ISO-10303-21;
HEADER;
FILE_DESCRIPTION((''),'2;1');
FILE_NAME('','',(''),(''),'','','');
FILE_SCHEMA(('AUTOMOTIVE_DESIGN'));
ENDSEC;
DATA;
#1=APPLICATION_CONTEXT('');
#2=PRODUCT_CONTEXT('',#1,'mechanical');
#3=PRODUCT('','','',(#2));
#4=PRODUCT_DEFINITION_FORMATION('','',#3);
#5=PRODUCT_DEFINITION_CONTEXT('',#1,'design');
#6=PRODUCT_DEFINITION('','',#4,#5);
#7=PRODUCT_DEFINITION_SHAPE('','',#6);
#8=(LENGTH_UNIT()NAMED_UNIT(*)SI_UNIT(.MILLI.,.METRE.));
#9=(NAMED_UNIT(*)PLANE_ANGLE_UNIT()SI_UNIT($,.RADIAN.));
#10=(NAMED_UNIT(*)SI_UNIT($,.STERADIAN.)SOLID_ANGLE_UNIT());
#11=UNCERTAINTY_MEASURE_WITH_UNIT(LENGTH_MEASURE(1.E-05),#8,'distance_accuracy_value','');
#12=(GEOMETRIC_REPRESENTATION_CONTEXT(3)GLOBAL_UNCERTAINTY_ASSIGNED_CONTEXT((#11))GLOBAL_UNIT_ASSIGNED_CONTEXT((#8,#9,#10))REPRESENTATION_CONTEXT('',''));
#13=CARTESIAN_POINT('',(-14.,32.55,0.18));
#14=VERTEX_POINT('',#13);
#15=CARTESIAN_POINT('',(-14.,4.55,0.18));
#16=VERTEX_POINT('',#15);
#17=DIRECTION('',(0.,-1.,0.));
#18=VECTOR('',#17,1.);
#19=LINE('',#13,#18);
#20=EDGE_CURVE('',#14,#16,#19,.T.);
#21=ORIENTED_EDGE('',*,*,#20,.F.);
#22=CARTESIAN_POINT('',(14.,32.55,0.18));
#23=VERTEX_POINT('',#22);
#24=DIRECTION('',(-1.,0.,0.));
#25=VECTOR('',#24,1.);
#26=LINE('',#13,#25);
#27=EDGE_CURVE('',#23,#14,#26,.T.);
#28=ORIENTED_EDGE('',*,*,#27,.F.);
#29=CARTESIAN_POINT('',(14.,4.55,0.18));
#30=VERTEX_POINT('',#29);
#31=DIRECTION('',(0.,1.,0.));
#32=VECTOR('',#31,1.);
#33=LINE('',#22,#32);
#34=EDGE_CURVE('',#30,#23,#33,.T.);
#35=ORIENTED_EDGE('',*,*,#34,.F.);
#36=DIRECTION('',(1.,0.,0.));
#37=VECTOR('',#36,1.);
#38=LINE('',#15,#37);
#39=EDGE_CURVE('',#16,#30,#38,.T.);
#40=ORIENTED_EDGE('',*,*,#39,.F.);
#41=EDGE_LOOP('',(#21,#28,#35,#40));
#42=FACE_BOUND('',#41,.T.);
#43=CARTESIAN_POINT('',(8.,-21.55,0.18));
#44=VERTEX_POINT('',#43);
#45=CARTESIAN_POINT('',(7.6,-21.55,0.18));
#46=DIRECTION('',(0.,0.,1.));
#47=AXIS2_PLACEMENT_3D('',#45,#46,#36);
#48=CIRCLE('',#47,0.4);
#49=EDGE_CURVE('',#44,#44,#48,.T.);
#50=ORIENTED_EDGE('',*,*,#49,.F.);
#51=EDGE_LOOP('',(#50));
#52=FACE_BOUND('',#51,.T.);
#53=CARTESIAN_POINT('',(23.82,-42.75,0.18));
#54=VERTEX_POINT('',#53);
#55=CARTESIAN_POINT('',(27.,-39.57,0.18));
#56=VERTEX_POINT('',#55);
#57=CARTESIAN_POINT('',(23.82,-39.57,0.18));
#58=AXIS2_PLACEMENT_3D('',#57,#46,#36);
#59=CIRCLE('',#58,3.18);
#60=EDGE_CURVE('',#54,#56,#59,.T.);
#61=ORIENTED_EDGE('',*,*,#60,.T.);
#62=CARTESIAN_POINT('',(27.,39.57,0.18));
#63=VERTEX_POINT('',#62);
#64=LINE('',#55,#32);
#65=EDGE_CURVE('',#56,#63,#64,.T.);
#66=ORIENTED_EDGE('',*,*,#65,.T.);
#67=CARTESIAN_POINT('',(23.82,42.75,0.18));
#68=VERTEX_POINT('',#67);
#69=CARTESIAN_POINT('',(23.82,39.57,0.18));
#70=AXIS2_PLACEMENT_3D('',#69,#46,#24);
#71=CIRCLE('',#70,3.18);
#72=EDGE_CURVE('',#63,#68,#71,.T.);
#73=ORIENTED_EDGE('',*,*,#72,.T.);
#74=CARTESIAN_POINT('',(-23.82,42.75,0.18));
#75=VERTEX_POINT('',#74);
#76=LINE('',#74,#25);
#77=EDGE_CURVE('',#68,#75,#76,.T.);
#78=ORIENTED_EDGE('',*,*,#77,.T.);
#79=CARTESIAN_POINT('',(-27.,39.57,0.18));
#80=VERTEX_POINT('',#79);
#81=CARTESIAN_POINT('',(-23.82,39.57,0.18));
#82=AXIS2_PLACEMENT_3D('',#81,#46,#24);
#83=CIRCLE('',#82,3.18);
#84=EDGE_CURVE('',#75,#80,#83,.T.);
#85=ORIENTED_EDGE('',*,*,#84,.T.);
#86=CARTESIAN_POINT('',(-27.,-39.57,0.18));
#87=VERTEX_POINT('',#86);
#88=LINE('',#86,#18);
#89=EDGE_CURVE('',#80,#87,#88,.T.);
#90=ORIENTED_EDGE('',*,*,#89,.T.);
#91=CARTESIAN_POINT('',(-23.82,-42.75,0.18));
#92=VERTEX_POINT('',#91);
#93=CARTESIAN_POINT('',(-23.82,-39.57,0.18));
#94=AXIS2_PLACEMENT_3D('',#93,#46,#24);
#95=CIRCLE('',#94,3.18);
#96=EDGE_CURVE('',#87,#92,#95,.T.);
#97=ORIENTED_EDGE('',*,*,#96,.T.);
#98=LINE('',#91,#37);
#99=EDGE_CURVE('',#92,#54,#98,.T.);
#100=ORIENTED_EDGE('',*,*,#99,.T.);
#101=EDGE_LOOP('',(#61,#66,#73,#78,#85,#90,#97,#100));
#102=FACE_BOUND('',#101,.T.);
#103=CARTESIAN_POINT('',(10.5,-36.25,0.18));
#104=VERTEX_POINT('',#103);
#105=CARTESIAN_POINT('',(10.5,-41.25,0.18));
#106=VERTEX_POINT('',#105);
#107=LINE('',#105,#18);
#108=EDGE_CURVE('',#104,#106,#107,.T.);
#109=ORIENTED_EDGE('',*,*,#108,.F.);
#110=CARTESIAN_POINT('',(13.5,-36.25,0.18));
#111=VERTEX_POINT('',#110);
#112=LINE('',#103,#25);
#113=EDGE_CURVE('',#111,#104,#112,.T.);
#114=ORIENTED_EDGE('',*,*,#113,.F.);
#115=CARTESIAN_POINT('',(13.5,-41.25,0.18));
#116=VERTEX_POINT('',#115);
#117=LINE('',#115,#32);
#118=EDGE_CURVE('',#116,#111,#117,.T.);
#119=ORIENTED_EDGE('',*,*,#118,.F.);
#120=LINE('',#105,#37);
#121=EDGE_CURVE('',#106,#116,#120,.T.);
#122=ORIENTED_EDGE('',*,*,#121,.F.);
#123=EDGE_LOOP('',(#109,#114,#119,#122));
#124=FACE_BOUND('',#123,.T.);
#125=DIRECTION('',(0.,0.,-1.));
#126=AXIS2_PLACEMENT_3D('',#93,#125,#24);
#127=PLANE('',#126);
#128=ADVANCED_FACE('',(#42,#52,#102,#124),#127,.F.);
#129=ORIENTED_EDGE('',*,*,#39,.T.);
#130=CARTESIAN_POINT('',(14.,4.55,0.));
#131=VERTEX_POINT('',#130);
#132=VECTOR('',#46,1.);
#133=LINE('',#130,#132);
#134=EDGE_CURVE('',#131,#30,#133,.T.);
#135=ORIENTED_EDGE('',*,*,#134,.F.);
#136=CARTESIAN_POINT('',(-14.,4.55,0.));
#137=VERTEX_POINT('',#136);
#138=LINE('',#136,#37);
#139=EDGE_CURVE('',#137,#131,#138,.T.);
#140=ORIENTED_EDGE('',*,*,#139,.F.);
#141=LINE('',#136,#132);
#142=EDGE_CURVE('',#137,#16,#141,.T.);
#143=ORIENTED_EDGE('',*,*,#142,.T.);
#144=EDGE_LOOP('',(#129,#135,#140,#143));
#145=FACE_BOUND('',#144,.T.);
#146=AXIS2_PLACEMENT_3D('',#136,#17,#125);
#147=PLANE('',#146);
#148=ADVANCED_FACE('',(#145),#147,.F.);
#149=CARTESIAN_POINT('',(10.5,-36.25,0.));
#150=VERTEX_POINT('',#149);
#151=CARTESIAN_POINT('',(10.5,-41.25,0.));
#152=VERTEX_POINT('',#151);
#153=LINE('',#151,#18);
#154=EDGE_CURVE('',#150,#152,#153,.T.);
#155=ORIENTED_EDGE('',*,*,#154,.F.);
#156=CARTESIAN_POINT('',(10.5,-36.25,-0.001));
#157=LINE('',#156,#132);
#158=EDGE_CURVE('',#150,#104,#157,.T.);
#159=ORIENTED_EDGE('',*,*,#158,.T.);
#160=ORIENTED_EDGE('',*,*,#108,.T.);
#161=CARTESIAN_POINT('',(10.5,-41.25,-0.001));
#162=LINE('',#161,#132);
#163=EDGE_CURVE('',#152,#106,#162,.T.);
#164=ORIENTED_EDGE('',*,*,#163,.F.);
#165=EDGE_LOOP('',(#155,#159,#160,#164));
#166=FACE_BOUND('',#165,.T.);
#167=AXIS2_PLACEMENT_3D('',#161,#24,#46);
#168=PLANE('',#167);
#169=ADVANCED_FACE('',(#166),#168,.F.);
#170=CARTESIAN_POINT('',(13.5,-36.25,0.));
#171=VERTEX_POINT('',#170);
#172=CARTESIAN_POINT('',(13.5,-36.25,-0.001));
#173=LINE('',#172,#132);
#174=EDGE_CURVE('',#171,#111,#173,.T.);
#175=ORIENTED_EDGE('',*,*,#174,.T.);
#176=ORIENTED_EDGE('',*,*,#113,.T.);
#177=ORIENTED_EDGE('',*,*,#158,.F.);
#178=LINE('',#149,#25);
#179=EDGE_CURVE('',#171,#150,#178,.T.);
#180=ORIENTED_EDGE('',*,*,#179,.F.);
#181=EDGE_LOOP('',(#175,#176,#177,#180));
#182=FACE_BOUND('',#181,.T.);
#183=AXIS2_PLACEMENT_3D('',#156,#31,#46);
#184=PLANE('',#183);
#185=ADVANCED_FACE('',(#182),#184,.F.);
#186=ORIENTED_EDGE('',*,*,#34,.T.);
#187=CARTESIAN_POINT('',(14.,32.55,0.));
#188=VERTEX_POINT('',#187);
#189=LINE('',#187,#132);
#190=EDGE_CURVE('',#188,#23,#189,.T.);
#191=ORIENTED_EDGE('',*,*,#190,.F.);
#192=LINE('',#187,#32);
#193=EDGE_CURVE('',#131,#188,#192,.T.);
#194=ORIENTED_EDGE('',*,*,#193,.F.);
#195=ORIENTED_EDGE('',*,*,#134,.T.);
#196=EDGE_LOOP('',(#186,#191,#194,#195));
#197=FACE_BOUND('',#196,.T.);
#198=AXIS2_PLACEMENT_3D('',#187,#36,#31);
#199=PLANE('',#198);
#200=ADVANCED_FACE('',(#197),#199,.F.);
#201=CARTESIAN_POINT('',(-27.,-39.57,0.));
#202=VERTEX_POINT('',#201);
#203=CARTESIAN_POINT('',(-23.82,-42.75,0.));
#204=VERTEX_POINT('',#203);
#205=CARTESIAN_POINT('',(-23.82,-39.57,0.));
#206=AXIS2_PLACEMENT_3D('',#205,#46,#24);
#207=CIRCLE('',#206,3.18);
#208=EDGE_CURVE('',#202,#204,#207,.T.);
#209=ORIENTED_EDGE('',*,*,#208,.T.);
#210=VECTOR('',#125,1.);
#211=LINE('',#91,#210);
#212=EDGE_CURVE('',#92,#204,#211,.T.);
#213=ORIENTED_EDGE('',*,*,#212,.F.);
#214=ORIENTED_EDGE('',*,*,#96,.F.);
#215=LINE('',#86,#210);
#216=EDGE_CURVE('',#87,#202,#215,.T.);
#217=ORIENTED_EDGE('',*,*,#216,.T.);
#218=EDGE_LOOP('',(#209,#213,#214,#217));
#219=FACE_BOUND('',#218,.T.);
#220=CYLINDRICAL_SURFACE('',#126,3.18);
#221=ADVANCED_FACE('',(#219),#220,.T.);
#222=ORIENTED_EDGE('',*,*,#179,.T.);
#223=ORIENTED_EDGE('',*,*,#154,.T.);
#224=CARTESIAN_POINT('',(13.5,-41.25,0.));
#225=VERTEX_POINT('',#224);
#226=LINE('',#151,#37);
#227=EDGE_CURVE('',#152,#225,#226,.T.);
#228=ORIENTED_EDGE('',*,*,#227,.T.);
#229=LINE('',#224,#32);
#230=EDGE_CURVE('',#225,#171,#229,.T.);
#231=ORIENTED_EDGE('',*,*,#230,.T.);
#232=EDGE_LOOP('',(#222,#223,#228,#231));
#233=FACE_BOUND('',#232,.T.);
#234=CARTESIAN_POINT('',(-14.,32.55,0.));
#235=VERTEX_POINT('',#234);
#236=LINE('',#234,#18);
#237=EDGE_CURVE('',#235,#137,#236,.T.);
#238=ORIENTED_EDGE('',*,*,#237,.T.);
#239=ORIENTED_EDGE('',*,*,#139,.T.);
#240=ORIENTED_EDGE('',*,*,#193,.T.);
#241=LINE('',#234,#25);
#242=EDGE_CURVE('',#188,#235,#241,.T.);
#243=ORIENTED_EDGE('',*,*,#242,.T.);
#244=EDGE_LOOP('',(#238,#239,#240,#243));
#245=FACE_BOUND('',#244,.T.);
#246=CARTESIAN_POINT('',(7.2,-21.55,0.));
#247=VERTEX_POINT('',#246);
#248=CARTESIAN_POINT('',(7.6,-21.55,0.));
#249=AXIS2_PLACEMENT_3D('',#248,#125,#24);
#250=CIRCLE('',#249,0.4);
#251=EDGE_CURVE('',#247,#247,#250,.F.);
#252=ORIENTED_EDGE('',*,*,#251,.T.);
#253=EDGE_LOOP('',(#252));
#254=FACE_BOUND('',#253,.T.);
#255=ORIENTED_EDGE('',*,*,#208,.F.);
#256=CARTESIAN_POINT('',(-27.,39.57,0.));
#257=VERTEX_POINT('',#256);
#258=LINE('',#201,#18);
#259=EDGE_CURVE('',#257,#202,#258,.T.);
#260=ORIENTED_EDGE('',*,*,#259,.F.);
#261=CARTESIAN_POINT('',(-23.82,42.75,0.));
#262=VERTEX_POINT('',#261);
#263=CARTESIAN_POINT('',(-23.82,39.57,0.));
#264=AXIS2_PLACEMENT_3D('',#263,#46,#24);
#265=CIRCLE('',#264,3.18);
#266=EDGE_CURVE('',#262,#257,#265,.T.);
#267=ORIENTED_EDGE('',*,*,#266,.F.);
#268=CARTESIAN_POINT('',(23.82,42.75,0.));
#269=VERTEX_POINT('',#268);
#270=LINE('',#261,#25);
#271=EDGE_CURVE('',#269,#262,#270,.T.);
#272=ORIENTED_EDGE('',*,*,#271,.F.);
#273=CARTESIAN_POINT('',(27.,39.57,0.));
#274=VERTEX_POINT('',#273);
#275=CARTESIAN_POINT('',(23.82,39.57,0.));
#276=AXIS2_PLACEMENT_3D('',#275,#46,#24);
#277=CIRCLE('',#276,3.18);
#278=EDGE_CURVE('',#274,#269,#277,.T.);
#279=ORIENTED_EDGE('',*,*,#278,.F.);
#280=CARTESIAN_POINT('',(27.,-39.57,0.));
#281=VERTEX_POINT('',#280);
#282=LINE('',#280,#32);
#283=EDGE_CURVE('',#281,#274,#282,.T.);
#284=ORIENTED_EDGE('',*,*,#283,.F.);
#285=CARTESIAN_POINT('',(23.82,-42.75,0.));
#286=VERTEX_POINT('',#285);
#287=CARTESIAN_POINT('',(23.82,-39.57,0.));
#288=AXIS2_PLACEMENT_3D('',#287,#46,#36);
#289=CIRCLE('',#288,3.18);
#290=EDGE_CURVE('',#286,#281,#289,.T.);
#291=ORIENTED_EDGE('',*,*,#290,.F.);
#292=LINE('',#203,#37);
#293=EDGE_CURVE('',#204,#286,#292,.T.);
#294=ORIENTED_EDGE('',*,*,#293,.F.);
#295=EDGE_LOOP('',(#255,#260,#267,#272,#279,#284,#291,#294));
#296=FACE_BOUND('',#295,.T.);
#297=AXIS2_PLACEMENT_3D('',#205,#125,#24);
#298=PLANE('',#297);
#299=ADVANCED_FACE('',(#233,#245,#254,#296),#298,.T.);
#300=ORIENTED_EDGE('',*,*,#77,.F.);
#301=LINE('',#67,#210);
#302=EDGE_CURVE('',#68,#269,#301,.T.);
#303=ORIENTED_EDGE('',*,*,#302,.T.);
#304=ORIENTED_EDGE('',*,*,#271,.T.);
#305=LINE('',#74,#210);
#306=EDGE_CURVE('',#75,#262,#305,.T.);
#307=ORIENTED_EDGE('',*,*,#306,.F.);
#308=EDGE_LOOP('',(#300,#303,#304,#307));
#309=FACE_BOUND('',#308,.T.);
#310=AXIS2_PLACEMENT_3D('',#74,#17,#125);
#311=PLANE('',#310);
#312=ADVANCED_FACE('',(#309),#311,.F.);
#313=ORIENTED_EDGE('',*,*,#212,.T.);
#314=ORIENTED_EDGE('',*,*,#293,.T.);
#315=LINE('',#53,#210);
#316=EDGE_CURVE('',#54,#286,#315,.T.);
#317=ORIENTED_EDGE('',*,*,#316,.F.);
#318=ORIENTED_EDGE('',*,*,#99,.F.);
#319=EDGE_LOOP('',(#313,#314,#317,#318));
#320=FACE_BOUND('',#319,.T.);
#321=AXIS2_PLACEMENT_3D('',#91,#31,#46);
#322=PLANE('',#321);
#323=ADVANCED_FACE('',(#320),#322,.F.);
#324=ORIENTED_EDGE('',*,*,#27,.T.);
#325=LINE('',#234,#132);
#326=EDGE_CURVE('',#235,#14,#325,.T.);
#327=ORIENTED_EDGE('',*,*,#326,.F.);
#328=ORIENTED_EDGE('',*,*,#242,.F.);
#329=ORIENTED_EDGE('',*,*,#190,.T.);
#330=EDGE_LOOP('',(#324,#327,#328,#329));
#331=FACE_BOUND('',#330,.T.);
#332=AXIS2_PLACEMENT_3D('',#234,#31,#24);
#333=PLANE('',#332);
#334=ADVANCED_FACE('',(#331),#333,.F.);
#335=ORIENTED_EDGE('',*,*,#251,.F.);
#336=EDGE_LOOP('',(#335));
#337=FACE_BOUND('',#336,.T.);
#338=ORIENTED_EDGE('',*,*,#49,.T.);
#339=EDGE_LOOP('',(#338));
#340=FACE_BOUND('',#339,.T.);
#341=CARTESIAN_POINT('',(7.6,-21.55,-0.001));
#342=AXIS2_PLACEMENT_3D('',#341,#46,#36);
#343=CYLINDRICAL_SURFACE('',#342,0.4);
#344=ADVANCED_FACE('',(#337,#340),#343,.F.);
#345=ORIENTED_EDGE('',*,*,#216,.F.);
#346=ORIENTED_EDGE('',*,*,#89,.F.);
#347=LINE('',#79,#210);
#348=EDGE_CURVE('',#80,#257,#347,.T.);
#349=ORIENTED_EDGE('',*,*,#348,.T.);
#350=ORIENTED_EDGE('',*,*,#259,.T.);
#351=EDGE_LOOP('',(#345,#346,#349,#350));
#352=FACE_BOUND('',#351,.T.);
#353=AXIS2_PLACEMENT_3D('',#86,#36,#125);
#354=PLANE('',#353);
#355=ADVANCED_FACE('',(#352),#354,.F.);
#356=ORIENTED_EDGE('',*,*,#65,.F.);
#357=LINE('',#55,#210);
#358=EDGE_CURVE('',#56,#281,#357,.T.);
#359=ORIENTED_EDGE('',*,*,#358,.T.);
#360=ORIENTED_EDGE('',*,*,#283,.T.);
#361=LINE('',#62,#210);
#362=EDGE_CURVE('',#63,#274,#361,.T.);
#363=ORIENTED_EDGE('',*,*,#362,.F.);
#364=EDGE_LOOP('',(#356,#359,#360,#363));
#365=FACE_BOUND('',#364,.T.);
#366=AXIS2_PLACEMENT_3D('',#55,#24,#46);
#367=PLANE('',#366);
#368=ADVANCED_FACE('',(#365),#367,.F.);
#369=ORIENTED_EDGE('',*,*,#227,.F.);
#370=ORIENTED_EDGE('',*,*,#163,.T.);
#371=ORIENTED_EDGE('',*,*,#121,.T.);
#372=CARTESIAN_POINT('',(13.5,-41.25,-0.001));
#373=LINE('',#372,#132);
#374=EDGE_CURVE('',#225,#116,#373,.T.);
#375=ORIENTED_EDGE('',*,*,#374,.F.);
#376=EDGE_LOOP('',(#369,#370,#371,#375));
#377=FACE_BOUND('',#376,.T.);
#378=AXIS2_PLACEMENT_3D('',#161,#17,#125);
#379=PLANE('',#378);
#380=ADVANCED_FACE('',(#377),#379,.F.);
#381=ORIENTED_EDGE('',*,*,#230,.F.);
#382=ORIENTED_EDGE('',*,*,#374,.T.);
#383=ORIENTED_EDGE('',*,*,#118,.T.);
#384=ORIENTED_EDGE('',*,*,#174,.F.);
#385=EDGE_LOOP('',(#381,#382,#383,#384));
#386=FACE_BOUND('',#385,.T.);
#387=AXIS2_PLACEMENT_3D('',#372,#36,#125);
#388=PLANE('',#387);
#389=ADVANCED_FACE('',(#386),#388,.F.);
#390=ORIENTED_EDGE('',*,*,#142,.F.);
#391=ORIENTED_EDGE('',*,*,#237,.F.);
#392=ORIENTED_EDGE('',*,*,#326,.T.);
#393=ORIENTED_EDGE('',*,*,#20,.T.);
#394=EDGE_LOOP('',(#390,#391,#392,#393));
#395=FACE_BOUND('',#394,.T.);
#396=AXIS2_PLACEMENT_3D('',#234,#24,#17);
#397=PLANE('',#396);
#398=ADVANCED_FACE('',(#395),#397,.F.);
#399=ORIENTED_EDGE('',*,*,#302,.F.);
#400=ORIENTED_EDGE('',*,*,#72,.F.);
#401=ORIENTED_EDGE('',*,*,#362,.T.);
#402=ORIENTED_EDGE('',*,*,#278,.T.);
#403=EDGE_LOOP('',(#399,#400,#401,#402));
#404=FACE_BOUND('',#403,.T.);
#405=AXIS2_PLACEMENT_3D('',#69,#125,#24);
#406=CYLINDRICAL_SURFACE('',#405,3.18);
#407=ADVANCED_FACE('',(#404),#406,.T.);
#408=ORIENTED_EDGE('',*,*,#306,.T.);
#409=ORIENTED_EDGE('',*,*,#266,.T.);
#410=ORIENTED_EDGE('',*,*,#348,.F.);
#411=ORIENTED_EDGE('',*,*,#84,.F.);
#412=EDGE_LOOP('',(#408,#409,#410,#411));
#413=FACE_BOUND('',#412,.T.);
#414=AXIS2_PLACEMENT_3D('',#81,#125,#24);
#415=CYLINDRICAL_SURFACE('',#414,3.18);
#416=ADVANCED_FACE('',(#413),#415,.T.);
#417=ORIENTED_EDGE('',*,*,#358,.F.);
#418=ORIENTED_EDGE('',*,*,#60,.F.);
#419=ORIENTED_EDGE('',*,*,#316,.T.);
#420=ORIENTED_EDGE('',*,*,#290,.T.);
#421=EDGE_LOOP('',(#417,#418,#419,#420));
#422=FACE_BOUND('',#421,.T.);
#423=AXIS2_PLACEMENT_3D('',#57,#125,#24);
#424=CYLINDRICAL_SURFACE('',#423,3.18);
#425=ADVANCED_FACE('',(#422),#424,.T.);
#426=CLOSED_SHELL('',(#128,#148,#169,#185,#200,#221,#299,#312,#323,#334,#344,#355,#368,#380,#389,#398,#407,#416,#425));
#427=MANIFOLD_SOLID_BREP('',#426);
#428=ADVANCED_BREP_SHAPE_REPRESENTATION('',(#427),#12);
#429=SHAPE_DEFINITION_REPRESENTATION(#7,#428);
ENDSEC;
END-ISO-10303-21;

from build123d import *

# Parameters (mm, degrees)
EXTRUDE_1_DEPTH     = 0.18
CUT_EXTRUDE_1_REACH = 52.563
SKETCH_2_R          = 0.4
SKETCH_2_W          = 3
SKETCH_2_H          = 5
SKETCH_3_W          = 28
SKETCH_3_H          = 28
CUT_EXTRUDE_2_DEPTH = 0.18


with BuildPart() as part:
    # 草图1 → 凸台-拉伸1 (new body)
    with BuildSketch(Plane.XY):
        with BuildLine():
            Line((-23.82, -42.75), (23.82, -42.75))
            ThreePointArc((23.82, -42.75), (26.068599564, -41.818599564), (27, -39.57))
            Line((27, -39.57), (27, 39.57))
            ThreePointArc((27, 39.57), (26.068599564, 41.818599564), (23.82, 42.75))
            Line((23.82, 42.75), (-23.82, 42.75))
            ThreePointArc((-23.82, 42.75), (-26.068599564, 41.818599564), (-27, 39.57))
            Line((-27, 39.57), (-27, -39.57))
            ThreePointArc((-27, -39.57), (-26.068599564, -41.818599564), (-23.82, -42.75))
        make_face()
    extrude(amount=EXTRUDE_1_DEPTH)

    # 草图2 → 切除-拉伸1 (cut, up to next)
    with BuildSketch(Plane.XY.offset(0.18), mode=Mode.PRIVATE) as cut_extrude_1_sk1:
        with Locations((7.6, -21.55)):
            Circle(SKETCH_2_R)
    cut_extrude_1_tool1 = extrude(cut_extrude_1_sk1.sketch, amount=-CUT_EXTRUDE_1_REACH, mode=Mode.PRIVATE) & part.part
    # 草图2 → 切除-拉伸1 (cut, up to next)
    with BuildSketch(Plane.XY.offset(0.18), mode=Mode.PRIVATE) as cut_extrude_1_sk2:
        with Locations((12, -38.75)):
            Rectangle(SKETCH_2_W, SKETCH_2_H)
    cut_extrude_1_tool2 = extrude(cut_extrude_1_sk2.sketch, amount=-CUT_EXTRUDE_1_REACH, mode=Mode.PRIVATE) & part.part
    add(cut_extrude_1_tool1.solids().sort_by_distance((7.6, -21.55, 0.18))[0], mode=Mode.SUBTRACT)
    add(cut_extrude_1_tool2.solids().sort_by_distance((12, -38.75, 0.18))[0], mode=Mode.SUBTRACT)

    # 草图3 → 切除-拉伸2 (cut)
    with BuildSketch(Plane.XY.offset(0.18)):
        with Locations((0, 18.55)):
            Rectangle(SKETCH_3_W, SKETCH_3_H)
    extrude(amount=-CUT_EXTRUDE_2_DEPTH, mode=Mode.SUBTRACT)


solid = part.part
